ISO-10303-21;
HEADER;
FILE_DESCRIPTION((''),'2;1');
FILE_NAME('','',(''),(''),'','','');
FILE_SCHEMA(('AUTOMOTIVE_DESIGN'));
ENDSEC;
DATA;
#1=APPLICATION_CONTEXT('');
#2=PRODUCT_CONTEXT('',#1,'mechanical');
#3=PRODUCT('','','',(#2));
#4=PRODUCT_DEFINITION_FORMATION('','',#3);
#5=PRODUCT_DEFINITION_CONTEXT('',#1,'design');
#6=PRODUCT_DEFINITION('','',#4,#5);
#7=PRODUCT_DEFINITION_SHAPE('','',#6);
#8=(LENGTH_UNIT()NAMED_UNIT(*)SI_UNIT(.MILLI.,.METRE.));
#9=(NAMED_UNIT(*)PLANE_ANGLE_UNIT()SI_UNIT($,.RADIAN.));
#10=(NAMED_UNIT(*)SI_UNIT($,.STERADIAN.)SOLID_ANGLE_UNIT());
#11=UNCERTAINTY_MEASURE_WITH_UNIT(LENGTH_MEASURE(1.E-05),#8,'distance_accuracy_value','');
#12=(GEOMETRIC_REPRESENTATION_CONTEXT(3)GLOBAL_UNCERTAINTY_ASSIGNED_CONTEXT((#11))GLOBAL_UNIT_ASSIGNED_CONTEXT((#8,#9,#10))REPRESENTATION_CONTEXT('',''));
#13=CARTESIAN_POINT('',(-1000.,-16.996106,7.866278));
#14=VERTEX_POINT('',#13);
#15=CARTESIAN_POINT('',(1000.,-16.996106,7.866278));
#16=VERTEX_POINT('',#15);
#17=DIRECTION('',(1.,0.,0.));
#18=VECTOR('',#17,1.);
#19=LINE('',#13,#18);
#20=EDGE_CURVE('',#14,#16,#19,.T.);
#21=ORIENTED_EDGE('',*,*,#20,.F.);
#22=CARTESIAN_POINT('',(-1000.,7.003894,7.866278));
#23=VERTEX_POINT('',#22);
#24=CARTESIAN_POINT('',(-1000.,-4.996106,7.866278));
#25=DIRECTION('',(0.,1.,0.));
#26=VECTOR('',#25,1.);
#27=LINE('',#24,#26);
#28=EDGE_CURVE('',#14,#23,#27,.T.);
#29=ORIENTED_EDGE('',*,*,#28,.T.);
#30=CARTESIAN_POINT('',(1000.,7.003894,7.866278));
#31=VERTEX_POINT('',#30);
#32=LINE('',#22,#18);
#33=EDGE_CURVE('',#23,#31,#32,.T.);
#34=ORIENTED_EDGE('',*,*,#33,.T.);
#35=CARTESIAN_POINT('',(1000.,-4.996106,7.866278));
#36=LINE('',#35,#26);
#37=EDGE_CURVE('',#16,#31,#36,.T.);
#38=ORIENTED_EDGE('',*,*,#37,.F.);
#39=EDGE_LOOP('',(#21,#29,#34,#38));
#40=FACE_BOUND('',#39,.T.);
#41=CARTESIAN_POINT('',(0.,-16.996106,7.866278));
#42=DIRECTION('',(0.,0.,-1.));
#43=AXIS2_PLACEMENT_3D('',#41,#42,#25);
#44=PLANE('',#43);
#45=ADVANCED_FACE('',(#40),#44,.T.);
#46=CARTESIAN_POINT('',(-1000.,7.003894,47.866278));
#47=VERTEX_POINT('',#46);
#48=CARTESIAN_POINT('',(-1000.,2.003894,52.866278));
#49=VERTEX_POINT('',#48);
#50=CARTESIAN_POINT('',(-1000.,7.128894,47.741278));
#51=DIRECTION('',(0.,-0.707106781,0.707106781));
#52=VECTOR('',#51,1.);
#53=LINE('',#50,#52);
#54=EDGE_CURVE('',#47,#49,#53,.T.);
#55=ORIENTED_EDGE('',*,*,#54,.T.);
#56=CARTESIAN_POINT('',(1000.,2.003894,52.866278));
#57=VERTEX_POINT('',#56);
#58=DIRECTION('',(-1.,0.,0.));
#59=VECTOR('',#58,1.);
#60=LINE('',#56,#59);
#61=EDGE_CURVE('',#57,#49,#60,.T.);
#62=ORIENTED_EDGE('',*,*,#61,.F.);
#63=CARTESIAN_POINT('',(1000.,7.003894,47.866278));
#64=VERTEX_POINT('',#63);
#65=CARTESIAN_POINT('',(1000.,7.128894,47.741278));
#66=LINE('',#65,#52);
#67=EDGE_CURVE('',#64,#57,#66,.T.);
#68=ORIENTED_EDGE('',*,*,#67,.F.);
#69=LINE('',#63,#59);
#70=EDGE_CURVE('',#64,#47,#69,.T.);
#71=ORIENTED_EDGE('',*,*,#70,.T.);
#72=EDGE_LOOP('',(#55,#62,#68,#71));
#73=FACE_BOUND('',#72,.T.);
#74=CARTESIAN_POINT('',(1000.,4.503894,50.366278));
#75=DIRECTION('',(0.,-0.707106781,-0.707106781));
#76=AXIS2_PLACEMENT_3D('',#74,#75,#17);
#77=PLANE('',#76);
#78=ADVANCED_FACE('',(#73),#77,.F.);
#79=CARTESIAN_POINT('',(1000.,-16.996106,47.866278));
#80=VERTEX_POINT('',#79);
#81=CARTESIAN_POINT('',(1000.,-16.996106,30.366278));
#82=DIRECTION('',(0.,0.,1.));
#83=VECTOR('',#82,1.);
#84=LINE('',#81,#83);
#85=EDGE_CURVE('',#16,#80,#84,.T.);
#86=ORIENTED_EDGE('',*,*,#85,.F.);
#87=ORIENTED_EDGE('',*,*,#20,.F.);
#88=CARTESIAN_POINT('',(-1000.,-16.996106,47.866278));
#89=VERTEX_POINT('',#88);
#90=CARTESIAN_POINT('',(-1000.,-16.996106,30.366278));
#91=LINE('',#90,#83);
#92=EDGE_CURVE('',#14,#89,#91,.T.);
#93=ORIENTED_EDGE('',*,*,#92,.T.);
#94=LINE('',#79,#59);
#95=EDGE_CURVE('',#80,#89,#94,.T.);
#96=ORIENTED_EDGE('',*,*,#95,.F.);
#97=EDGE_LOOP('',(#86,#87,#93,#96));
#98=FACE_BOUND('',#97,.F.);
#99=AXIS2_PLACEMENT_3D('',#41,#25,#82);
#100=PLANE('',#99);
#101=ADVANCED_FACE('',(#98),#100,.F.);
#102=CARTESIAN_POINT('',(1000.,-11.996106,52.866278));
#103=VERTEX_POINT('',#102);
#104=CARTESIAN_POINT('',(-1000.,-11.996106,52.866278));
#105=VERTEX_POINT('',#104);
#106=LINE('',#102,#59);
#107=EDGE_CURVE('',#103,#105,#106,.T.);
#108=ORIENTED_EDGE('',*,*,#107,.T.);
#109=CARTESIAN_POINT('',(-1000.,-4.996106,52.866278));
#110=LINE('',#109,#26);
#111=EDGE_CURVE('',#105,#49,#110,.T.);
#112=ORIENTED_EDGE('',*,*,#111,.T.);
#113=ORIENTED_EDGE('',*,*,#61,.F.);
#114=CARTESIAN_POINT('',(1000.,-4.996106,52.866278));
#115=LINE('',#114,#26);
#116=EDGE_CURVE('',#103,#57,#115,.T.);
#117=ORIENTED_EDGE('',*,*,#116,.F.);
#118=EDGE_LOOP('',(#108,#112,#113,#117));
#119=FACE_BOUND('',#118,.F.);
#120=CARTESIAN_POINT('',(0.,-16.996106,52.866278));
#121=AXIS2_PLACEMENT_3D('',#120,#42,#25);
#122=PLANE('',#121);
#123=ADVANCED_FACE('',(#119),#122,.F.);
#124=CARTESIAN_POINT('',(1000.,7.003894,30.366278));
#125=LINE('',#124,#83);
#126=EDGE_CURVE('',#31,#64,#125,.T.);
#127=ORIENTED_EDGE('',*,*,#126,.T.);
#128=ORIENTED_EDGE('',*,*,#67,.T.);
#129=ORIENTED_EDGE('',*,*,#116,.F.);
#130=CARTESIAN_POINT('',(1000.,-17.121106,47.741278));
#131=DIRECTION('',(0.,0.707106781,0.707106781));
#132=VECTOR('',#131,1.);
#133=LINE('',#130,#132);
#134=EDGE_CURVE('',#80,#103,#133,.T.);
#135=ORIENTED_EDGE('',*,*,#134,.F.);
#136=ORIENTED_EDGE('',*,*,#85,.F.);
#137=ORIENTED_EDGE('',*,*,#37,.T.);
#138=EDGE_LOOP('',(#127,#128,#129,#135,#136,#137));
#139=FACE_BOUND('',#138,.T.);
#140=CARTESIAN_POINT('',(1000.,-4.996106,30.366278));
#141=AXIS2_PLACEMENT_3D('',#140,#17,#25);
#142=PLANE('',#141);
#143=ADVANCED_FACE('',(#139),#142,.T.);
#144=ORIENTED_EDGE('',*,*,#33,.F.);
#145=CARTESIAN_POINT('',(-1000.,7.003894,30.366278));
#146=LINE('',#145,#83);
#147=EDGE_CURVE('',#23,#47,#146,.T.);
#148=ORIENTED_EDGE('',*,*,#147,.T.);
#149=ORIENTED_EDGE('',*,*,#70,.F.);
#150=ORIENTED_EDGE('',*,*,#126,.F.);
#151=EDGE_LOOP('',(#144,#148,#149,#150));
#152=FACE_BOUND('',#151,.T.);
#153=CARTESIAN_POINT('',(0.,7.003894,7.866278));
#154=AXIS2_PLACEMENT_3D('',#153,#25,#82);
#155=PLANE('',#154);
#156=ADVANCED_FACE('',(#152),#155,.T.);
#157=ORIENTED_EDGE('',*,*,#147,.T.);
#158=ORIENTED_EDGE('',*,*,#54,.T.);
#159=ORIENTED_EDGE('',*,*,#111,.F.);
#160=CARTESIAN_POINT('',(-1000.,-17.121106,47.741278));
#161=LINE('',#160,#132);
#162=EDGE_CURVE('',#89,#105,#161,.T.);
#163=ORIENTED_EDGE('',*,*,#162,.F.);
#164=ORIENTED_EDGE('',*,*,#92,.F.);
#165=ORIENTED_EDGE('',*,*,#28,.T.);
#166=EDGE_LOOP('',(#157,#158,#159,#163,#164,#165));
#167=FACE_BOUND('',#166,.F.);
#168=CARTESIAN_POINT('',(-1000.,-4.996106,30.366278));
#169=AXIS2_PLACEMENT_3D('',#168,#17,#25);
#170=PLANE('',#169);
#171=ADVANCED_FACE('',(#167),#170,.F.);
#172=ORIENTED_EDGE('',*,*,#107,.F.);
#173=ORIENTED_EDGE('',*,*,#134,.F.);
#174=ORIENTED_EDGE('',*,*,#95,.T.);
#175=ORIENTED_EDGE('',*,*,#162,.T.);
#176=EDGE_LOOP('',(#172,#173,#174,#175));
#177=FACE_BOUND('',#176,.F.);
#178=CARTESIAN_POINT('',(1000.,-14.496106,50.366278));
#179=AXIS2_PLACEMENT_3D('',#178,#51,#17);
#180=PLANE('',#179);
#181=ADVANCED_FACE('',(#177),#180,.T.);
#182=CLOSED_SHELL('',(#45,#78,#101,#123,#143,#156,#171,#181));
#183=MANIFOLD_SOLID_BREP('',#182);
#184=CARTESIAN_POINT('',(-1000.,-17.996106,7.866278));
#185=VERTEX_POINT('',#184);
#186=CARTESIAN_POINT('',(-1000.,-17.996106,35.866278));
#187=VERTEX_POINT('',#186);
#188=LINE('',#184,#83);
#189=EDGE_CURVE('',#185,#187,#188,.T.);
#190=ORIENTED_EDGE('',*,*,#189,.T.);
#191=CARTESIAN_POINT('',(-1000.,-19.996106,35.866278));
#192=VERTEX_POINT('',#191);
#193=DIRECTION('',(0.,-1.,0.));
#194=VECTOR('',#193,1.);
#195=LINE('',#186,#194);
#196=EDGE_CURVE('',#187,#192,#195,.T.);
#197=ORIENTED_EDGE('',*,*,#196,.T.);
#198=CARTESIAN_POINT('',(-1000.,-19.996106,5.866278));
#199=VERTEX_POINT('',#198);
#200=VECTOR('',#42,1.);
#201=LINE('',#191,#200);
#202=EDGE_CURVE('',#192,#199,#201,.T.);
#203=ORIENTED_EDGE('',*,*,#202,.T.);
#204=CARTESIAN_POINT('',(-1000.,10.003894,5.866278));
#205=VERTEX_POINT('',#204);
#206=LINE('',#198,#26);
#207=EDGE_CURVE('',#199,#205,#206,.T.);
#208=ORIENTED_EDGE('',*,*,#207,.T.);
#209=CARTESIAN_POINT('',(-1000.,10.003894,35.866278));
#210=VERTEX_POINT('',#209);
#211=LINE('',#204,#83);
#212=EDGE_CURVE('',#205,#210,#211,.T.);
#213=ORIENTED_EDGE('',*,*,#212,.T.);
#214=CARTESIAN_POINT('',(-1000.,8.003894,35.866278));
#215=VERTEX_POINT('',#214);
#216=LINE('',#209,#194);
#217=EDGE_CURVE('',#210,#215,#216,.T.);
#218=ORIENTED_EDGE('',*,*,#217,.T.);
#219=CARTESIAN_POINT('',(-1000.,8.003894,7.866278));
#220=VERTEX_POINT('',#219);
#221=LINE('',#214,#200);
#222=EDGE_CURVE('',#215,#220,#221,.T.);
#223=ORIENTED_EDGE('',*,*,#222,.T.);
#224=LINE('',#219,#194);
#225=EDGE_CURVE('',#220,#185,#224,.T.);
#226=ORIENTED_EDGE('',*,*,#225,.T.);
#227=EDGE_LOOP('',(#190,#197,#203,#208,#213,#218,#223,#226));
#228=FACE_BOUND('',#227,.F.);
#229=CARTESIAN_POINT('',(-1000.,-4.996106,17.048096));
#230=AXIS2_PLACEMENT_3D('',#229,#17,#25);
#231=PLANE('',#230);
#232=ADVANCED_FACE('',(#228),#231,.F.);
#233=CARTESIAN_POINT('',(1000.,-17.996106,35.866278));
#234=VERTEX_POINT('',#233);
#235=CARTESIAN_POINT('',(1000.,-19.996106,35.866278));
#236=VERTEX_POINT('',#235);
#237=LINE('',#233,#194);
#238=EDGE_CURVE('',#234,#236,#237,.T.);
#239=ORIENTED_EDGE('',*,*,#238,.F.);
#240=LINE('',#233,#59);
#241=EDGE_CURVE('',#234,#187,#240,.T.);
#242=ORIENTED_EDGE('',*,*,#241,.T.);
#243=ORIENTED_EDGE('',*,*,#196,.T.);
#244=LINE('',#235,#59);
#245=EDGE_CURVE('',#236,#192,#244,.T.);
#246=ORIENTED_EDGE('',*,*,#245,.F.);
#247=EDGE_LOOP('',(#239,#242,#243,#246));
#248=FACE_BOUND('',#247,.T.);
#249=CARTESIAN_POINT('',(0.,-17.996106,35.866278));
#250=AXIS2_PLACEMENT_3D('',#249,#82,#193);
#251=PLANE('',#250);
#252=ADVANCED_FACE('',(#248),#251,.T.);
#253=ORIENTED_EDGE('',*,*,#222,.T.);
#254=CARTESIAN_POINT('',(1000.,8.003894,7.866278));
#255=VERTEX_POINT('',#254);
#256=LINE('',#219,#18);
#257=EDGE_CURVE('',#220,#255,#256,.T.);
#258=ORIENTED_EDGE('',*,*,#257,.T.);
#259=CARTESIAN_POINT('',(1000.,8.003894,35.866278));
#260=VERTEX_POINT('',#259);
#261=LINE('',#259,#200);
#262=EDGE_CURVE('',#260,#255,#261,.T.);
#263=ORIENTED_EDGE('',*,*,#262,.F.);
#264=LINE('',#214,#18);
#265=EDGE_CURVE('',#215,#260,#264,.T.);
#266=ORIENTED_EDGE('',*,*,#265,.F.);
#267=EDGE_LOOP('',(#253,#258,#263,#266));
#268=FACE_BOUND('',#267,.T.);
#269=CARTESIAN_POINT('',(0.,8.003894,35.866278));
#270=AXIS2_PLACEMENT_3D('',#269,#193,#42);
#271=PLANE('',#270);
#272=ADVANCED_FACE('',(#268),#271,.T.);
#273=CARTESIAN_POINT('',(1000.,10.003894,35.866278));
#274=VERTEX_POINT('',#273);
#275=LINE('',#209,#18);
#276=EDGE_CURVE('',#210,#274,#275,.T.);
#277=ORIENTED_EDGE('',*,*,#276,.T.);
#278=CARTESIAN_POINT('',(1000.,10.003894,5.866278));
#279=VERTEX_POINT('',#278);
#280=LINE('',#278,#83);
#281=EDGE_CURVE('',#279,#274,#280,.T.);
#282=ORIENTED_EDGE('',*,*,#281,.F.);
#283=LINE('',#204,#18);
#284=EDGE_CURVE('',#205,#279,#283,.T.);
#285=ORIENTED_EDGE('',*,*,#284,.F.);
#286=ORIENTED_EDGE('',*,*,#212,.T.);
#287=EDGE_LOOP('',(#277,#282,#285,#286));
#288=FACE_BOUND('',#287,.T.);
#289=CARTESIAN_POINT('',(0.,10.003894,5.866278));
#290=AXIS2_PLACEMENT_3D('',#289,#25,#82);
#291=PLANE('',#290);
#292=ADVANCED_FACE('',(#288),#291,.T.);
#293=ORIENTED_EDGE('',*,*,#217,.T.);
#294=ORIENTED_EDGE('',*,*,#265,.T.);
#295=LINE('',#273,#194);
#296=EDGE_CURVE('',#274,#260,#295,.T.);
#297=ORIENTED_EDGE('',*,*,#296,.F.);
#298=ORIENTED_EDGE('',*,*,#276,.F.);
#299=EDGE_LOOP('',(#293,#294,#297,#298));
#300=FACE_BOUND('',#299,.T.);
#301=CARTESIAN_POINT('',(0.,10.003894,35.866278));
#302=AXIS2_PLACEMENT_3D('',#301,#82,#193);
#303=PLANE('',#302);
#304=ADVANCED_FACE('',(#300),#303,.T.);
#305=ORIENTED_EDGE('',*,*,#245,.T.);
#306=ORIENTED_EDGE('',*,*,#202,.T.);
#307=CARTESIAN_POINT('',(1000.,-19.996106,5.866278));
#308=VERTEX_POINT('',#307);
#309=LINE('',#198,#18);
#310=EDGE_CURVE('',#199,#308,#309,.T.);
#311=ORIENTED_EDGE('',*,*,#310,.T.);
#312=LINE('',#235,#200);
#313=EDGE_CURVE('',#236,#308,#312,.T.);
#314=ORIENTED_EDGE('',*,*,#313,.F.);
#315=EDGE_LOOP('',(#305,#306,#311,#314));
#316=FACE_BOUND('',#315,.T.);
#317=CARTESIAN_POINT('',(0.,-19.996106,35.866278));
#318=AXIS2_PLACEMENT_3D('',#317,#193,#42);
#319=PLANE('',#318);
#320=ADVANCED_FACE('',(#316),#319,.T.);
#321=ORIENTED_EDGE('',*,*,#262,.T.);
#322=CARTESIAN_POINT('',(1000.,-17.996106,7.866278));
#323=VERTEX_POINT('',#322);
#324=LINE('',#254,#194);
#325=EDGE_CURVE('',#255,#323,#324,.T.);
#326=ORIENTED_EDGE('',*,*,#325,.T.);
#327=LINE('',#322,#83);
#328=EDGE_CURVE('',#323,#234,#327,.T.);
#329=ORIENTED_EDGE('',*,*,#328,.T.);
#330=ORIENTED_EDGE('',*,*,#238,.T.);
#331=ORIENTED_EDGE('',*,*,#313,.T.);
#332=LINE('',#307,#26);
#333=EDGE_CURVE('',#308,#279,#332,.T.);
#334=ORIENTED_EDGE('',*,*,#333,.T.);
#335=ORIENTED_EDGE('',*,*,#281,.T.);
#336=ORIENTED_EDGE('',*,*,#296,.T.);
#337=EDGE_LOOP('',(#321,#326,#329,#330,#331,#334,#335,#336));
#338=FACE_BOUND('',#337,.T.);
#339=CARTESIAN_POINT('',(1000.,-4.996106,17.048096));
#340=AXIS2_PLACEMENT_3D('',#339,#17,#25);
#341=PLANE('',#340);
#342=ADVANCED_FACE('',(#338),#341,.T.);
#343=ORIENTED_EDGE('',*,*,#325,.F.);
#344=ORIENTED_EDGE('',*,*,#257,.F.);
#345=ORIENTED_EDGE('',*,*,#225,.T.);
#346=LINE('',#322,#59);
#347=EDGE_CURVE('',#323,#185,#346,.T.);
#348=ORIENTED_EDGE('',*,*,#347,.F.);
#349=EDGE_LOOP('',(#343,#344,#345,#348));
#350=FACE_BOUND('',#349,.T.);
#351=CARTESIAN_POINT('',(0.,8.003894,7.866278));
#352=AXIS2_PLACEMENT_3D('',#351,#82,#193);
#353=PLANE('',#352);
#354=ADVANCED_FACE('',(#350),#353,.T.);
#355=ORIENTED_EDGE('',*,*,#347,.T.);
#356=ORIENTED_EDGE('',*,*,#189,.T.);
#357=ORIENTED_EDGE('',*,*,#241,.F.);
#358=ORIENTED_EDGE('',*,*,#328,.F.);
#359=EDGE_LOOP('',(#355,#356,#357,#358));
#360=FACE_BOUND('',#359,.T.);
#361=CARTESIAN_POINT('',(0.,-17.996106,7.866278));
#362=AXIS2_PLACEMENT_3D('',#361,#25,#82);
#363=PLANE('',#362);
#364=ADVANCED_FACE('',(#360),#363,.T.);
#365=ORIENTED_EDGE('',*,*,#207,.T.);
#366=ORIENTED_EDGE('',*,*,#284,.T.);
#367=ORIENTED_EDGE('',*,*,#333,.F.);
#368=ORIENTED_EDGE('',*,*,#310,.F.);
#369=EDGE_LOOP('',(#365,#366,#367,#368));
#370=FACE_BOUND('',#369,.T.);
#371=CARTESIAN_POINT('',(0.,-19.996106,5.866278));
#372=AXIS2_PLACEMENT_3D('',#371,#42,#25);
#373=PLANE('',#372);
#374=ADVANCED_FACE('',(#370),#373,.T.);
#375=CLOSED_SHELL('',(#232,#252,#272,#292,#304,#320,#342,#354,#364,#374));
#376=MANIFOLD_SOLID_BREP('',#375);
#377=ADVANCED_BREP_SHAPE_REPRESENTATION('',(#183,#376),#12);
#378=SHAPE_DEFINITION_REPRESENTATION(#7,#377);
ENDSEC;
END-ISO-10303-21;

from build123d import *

# Parameters (mm, degrees)
F0_W     = 24
F0_H     = 45
F1_DEPTH = 1000
F2_DEPTH = 1000
F3_SIZE  = 5


with BuildPart() as f1:
    # F0 (on Right) → F1 (new body, symmetric)
    with BuildSketch(Plane.YZ):
        with Locations((-4.996106, 30.366278)):
            Rectangle(F0_W, F0_H)
    extrude(amount=F1_DEPTH, both=True)

    # F3
    f3_edges = [f1.edges().sort_by_distance(p)[0] for p in [
        (0, -16.996106, 52.866278),
        (0, 7.003894, 52.866278),
    ]]
    chamfer(f3_edges, length=F3_SIZE)


with BuildPart() as f2:
    # F0 (on Right) → F2 (new body, symmetric)
    with BuildSketch(Plane.YZ):
        Polygon((-19.996106, 35.866278), (-19.996106, 5.866278), (10.003894, 5.866278), (10.003894, 35.866278), (8.003894, 35.866278), (8.003894, 7.866278), (7.003894, 7.866278), (-16.996106, 7.866278), (-17.996106, 7.866278), (-17.996106, 35.866278), align=None)
    extrude(amount=F2_DEPTH, both=True)


solid = Compound([f1.part, f2.part])
